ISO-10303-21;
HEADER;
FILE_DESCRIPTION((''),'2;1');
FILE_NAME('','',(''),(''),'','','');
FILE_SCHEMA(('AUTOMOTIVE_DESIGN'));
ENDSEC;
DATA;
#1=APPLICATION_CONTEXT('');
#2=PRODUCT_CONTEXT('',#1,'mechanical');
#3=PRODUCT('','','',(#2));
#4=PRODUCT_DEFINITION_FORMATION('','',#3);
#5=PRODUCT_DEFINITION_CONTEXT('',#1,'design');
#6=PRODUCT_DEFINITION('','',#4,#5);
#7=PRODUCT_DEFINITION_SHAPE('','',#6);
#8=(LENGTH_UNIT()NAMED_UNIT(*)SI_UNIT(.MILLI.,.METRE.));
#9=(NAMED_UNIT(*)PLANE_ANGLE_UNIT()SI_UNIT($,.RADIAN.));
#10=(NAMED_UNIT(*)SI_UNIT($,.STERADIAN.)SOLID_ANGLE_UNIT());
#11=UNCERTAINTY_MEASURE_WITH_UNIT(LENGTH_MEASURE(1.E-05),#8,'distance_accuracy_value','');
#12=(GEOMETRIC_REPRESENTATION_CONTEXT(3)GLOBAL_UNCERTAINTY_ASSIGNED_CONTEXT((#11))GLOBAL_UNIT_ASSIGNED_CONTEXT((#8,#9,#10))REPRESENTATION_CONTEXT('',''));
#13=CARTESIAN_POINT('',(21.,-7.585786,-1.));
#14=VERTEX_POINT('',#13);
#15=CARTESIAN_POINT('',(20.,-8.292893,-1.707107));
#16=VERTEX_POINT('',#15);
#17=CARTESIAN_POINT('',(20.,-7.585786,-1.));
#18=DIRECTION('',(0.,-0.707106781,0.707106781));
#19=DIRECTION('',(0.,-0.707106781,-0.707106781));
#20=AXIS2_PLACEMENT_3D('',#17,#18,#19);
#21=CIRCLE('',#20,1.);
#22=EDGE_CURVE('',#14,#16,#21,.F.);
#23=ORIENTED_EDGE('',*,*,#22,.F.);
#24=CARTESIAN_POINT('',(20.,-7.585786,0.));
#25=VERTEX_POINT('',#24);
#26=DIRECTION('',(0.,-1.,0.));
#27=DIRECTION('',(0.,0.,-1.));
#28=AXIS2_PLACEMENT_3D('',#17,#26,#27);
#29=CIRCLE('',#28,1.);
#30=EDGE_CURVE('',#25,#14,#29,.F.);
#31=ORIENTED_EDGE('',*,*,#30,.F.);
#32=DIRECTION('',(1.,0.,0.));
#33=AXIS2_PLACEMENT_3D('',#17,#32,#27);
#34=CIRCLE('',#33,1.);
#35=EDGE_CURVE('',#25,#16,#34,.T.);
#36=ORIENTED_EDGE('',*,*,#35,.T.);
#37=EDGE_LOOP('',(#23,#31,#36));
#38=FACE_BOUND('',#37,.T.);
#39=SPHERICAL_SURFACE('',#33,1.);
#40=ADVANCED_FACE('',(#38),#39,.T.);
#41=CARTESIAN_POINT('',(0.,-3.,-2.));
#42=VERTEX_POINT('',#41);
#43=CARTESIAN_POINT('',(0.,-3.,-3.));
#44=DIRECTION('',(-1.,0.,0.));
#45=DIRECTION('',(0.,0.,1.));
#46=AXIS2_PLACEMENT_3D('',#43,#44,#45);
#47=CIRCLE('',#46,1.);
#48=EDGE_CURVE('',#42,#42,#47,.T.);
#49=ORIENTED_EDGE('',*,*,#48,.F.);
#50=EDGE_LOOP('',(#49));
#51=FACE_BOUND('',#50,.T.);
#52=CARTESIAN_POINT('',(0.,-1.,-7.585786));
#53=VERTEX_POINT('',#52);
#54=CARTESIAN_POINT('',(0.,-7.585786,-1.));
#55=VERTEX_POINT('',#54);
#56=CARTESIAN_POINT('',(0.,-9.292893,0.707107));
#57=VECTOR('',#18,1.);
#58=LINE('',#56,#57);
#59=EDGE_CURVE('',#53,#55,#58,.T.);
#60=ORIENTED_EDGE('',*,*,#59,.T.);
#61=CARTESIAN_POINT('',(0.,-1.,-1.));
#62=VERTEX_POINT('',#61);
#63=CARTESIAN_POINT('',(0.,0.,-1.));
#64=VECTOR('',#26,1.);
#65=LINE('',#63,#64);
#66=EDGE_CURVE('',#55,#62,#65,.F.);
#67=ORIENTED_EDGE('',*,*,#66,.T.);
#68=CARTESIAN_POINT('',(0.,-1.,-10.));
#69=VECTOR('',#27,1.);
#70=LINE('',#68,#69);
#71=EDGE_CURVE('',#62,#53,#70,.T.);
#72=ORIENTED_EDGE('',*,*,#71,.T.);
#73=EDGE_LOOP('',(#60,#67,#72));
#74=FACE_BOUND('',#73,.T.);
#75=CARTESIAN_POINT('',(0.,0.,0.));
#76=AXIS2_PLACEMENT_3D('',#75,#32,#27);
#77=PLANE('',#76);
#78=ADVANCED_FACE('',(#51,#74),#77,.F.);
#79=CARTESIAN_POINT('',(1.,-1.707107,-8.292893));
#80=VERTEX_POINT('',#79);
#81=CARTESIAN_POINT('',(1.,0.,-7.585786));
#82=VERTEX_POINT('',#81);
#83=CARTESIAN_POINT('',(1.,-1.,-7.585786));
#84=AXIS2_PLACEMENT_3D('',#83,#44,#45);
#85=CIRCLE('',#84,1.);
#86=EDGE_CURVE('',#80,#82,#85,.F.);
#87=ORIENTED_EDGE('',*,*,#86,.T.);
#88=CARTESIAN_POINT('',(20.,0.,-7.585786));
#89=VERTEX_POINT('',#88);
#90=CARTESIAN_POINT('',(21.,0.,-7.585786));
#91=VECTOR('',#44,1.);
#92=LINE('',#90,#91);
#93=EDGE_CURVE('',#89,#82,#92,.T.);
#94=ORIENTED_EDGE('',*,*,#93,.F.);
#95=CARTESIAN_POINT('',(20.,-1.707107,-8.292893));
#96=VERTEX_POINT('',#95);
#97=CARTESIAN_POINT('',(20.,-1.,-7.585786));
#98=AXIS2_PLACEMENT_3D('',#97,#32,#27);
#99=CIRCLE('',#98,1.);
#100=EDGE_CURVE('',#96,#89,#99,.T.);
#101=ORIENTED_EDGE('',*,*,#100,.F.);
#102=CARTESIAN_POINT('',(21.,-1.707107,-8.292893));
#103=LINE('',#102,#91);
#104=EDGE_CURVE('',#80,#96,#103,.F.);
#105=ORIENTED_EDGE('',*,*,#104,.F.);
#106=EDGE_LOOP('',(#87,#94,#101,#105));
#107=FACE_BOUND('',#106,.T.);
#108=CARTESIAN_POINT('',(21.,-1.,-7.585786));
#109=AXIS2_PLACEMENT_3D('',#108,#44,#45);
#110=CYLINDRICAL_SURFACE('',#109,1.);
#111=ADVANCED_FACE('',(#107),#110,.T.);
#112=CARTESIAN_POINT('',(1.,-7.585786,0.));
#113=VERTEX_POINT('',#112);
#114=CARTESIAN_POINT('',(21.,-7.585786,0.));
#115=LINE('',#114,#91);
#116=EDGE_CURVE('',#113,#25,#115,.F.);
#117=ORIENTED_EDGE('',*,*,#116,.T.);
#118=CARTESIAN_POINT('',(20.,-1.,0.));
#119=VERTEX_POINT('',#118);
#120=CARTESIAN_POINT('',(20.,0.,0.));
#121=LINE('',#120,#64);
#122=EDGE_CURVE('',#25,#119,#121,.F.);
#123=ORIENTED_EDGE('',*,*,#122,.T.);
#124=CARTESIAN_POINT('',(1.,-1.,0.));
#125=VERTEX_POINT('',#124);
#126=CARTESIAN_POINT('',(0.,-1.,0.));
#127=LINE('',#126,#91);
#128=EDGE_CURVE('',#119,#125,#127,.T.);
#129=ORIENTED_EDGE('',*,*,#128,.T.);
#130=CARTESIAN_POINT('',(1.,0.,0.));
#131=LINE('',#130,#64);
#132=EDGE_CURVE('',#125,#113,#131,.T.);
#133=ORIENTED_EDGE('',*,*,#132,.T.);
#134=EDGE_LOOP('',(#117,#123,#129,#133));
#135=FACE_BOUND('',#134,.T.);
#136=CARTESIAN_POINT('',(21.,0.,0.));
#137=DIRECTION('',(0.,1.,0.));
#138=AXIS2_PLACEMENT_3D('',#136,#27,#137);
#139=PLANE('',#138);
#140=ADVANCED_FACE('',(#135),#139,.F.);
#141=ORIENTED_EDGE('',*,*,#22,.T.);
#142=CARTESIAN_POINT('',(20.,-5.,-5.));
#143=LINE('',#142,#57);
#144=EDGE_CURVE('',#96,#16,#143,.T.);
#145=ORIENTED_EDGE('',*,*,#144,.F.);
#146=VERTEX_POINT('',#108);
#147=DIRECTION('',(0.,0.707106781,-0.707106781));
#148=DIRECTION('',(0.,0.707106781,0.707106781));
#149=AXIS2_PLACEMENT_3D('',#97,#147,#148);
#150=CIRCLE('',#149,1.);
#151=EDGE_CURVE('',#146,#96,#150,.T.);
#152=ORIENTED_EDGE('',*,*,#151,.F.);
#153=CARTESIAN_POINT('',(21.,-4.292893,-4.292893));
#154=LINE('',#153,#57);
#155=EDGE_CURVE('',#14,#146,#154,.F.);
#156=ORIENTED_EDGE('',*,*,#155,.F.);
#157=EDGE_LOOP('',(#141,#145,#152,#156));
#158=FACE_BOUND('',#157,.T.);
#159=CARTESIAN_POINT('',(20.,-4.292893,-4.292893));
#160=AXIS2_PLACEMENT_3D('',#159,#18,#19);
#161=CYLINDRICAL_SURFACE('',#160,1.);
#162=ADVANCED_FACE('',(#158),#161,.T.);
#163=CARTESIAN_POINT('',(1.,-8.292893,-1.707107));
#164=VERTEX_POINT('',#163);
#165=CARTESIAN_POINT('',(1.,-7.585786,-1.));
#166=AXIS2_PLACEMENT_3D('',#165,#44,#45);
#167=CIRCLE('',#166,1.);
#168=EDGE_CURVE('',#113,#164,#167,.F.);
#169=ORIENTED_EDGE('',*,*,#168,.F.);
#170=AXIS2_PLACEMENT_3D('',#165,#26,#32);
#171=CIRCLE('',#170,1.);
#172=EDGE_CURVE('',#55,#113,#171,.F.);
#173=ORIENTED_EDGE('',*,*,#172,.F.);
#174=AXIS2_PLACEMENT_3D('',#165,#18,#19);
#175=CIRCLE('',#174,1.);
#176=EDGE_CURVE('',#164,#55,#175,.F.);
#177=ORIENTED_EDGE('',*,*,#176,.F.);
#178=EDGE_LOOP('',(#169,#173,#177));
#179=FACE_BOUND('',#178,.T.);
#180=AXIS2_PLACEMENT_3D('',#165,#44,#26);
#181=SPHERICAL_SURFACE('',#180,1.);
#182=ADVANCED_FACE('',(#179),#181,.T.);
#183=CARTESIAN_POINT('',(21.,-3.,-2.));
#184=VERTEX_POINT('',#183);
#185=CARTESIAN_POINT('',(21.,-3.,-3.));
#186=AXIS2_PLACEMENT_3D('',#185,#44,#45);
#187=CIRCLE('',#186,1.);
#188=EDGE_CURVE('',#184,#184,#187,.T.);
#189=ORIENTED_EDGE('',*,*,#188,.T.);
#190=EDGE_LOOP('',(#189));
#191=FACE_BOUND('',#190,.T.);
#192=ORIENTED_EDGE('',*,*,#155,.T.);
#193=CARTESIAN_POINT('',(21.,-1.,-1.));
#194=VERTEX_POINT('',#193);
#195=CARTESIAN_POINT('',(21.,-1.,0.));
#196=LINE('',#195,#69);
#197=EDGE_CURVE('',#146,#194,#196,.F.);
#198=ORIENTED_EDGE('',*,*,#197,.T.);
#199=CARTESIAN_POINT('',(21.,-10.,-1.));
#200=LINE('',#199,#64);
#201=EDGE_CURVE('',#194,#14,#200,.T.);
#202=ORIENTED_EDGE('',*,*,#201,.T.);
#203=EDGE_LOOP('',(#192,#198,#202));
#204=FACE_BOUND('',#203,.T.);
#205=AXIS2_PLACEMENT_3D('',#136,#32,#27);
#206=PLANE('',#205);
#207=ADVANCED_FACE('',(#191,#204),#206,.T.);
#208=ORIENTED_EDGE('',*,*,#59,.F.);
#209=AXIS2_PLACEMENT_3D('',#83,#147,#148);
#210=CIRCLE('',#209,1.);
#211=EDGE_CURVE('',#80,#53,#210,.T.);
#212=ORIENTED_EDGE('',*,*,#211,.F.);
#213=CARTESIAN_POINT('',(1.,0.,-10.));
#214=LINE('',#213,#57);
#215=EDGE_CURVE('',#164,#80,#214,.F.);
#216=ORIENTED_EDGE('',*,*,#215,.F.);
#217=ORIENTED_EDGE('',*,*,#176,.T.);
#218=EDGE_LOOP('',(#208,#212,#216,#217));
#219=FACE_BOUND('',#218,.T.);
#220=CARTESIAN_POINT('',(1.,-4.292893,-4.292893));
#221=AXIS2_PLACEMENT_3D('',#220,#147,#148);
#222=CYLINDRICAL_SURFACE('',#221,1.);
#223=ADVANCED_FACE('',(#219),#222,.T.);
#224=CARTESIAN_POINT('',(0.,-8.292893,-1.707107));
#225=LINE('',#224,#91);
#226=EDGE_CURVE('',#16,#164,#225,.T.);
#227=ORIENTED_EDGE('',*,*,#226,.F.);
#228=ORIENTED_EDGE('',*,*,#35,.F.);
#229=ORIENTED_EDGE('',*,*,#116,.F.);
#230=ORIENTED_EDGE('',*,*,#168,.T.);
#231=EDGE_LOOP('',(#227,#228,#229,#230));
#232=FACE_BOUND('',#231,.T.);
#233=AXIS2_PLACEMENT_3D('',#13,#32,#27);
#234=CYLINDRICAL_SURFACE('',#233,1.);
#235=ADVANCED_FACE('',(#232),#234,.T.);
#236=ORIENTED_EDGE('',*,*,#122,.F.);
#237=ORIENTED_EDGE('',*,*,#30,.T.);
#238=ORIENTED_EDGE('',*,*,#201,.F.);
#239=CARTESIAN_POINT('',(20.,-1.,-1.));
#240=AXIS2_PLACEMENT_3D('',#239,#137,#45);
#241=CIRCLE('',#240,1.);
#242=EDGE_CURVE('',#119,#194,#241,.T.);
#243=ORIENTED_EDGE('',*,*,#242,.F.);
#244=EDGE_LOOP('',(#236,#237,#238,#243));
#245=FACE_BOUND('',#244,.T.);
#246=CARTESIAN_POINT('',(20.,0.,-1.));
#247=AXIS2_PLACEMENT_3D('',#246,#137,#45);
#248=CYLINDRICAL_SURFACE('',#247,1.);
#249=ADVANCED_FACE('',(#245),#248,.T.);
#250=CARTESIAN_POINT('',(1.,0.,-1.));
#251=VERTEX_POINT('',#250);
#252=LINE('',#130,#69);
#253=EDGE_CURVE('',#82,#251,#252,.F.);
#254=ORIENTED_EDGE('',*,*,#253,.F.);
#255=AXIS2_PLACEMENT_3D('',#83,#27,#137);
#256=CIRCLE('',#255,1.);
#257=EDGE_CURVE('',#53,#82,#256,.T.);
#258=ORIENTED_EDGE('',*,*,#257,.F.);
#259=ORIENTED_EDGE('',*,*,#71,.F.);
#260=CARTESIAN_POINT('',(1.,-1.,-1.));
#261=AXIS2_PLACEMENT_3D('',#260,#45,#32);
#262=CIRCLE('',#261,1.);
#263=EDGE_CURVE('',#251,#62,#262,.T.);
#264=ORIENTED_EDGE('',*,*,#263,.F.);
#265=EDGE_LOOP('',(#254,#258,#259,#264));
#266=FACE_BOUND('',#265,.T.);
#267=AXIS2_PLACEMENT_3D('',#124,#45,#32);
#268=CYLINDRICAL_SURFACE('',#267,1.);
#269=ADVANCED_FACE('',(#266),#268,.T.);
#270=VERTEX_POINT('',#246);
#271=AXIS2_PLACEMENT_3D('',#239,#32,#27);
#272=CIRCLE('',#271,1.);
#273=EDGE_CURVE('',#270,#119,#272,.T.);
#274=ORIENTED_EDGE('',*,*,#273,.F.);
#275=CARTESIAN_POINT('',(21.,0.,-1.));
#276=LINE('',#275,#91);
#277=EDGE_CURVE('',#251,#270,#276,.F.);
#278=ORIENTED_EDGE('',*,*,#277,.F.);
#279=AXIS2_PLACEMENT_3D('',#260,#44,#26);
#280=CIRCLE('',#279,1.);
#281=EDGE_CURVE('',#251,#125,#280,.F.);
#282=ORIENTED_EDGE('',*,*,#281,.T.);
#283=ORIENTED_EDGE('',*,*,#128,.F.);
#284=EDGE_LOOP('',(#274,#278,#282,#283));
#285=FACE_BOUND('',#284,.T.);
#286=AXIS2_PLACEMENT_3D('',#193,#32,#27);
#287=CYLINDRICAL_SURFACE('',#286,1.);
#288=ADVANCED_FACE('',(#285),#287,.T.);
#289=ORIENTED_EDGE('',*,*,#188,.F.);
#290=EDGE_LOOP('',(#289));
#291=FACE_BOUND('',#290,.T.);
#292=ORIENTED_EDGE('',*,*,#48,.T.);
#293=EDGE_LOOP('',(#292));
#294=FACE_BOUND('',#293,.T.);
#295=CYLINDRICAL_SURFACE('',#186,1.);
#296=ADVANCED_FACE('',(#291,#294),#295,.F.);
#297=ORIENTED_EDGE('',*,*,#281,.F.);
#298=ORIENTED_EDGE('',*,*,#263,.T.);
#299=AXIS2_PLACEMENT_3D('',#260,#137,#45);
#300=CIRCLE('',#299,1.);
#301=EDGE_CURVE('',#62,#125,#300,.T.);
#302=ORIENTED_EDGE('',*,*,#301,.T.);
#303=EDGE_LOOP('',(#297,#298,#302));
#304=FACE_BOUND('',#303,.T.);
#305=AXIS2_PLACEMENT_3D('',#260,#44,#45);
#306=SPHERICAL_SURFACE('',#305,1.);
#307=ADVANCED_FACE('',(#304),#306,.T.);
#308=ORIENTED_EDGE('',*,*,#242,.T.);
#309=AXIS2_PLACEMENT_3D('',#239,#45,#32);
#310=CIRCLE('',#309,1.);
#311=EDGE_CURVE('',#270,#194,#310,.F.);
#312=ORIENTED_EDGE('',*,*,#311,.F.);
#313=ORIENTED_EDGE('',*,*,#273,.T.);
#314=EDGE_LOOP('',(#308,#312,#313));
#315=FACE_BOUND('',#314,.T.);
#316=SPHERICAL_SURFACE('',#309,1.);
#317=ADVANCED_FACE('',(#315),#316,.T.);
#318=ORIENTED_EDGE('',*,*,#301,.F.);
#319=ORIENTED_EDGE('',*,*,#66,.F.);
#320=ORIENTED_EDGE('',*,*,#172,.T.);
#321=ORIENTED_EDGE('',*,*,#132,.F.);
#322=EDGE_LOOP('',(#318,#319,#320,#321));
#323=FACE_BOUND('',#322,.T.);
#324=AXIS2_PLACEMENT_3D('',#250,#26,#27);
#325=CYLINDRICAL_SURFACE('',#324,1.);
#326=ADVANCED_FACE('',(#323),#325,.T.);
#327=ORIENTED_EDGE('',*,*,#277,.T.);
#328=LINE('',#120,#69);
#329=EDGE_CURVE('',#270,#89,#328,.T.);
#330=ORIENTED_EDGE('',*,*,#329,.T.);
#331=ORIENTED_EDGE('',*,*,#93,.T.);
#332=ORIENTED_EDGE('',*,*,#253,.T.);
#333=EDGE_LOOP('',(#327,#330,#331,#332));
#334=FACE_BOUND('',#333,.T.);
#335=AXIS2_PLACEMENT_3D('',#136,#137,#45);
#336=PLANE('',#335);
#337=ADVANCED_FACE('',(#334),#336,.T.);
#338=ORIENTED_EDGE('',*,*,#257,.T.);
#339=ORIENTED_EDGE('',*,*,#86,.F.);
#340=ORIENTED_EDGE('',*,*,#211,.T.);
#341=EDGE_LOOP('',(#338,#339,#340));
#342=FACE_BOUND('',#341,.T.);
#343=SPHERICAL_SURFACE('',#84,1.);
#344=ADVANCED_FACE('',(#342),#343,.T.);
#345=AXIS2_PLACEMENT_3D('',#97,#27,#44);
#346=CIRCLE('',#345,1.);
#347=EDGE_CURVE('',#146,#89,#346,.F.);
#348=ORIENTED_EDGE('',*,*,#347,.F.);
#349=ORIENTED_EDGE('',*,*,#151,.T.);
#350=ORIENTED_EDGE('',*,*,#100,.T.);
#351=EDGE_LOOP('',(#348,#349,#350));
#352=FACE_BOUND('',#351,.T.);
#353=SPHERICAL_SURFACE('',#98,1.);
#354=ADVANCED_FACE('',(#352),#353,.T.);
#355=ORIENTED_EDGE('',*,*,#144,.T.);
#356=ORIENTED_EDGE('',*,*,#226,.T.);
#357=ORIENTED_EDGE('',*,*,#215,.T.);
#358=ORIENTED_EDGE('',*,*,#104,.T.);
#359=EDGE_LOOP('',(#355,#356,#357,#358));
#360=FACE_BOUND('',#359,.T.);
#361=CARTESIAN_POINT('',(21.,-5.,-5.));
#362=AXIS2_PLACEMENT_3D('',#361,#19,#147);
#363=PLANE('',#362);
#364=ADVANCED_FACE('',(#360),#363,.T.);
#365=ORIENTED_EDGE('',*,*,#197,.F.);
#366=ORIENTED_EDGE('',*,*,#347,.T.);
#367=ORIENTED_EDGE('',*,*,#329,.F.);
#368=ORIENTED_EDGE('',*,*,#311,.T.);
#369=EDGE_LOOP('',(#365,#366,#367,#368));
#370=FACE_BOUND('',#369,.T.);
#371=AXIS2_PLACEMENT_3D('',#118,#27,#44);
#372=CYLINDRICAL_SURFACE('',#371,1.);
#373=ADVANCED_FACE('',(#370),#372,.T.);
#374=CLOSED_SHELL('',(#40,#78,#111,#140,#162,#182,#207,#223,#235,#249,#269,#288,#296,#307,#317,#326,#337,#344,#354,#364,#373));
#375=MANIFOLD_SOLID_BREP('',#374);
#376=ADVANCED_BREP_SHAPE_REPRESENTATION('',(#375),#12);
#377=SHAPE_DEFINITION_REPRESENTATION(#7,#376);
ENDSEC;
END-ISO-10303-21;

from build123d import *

# Parameters (mm, degrees)
BODY_DEPTH      = 21
SKETCH2_R       = 1
BOLT_HOLE_DEPTH = 22
EDGE_FILLETS_R  = 1


with BuildPart() as part:
    # Sketch1 → body (new body)
    with BuildSketch(Plane(origin=(0, 0, 0), x_dir=(0, 0, -1), z_dir=(1, 0, 0))):
        Polygon((0, 0), (10, 0), (0, -10), align=None)
    extrude(amount=BODY_DEPTH)

    # Sketch2 → bolt_hole (cut, through all)
    with BuildSketch(Plane.ZY):
        with Locations((-3, -3)):
            Circle(SKETCH2_R)
    extrude(amount=-BOLT_HOLE_DEPTH, mode=Mode.SUBTRACT)

    # edge_fillets
    edge_fillets_edges = [part.edges().sort_by_distance(p)[0] for p in [
        (21, -5, 0),
        (21, -5, -5),
        (0, -5, -5),
        (0, -5, 0),
        (0, 0, -5),
        (21, 0, -5),
        (10.5, 0, -10),
        (10.5, -10, 0),
        (10.5, 0, 0),
    ]]
    fillet(edge_fillets_edges, radius=EDGE_FILLETS_R)


solid = part.part
